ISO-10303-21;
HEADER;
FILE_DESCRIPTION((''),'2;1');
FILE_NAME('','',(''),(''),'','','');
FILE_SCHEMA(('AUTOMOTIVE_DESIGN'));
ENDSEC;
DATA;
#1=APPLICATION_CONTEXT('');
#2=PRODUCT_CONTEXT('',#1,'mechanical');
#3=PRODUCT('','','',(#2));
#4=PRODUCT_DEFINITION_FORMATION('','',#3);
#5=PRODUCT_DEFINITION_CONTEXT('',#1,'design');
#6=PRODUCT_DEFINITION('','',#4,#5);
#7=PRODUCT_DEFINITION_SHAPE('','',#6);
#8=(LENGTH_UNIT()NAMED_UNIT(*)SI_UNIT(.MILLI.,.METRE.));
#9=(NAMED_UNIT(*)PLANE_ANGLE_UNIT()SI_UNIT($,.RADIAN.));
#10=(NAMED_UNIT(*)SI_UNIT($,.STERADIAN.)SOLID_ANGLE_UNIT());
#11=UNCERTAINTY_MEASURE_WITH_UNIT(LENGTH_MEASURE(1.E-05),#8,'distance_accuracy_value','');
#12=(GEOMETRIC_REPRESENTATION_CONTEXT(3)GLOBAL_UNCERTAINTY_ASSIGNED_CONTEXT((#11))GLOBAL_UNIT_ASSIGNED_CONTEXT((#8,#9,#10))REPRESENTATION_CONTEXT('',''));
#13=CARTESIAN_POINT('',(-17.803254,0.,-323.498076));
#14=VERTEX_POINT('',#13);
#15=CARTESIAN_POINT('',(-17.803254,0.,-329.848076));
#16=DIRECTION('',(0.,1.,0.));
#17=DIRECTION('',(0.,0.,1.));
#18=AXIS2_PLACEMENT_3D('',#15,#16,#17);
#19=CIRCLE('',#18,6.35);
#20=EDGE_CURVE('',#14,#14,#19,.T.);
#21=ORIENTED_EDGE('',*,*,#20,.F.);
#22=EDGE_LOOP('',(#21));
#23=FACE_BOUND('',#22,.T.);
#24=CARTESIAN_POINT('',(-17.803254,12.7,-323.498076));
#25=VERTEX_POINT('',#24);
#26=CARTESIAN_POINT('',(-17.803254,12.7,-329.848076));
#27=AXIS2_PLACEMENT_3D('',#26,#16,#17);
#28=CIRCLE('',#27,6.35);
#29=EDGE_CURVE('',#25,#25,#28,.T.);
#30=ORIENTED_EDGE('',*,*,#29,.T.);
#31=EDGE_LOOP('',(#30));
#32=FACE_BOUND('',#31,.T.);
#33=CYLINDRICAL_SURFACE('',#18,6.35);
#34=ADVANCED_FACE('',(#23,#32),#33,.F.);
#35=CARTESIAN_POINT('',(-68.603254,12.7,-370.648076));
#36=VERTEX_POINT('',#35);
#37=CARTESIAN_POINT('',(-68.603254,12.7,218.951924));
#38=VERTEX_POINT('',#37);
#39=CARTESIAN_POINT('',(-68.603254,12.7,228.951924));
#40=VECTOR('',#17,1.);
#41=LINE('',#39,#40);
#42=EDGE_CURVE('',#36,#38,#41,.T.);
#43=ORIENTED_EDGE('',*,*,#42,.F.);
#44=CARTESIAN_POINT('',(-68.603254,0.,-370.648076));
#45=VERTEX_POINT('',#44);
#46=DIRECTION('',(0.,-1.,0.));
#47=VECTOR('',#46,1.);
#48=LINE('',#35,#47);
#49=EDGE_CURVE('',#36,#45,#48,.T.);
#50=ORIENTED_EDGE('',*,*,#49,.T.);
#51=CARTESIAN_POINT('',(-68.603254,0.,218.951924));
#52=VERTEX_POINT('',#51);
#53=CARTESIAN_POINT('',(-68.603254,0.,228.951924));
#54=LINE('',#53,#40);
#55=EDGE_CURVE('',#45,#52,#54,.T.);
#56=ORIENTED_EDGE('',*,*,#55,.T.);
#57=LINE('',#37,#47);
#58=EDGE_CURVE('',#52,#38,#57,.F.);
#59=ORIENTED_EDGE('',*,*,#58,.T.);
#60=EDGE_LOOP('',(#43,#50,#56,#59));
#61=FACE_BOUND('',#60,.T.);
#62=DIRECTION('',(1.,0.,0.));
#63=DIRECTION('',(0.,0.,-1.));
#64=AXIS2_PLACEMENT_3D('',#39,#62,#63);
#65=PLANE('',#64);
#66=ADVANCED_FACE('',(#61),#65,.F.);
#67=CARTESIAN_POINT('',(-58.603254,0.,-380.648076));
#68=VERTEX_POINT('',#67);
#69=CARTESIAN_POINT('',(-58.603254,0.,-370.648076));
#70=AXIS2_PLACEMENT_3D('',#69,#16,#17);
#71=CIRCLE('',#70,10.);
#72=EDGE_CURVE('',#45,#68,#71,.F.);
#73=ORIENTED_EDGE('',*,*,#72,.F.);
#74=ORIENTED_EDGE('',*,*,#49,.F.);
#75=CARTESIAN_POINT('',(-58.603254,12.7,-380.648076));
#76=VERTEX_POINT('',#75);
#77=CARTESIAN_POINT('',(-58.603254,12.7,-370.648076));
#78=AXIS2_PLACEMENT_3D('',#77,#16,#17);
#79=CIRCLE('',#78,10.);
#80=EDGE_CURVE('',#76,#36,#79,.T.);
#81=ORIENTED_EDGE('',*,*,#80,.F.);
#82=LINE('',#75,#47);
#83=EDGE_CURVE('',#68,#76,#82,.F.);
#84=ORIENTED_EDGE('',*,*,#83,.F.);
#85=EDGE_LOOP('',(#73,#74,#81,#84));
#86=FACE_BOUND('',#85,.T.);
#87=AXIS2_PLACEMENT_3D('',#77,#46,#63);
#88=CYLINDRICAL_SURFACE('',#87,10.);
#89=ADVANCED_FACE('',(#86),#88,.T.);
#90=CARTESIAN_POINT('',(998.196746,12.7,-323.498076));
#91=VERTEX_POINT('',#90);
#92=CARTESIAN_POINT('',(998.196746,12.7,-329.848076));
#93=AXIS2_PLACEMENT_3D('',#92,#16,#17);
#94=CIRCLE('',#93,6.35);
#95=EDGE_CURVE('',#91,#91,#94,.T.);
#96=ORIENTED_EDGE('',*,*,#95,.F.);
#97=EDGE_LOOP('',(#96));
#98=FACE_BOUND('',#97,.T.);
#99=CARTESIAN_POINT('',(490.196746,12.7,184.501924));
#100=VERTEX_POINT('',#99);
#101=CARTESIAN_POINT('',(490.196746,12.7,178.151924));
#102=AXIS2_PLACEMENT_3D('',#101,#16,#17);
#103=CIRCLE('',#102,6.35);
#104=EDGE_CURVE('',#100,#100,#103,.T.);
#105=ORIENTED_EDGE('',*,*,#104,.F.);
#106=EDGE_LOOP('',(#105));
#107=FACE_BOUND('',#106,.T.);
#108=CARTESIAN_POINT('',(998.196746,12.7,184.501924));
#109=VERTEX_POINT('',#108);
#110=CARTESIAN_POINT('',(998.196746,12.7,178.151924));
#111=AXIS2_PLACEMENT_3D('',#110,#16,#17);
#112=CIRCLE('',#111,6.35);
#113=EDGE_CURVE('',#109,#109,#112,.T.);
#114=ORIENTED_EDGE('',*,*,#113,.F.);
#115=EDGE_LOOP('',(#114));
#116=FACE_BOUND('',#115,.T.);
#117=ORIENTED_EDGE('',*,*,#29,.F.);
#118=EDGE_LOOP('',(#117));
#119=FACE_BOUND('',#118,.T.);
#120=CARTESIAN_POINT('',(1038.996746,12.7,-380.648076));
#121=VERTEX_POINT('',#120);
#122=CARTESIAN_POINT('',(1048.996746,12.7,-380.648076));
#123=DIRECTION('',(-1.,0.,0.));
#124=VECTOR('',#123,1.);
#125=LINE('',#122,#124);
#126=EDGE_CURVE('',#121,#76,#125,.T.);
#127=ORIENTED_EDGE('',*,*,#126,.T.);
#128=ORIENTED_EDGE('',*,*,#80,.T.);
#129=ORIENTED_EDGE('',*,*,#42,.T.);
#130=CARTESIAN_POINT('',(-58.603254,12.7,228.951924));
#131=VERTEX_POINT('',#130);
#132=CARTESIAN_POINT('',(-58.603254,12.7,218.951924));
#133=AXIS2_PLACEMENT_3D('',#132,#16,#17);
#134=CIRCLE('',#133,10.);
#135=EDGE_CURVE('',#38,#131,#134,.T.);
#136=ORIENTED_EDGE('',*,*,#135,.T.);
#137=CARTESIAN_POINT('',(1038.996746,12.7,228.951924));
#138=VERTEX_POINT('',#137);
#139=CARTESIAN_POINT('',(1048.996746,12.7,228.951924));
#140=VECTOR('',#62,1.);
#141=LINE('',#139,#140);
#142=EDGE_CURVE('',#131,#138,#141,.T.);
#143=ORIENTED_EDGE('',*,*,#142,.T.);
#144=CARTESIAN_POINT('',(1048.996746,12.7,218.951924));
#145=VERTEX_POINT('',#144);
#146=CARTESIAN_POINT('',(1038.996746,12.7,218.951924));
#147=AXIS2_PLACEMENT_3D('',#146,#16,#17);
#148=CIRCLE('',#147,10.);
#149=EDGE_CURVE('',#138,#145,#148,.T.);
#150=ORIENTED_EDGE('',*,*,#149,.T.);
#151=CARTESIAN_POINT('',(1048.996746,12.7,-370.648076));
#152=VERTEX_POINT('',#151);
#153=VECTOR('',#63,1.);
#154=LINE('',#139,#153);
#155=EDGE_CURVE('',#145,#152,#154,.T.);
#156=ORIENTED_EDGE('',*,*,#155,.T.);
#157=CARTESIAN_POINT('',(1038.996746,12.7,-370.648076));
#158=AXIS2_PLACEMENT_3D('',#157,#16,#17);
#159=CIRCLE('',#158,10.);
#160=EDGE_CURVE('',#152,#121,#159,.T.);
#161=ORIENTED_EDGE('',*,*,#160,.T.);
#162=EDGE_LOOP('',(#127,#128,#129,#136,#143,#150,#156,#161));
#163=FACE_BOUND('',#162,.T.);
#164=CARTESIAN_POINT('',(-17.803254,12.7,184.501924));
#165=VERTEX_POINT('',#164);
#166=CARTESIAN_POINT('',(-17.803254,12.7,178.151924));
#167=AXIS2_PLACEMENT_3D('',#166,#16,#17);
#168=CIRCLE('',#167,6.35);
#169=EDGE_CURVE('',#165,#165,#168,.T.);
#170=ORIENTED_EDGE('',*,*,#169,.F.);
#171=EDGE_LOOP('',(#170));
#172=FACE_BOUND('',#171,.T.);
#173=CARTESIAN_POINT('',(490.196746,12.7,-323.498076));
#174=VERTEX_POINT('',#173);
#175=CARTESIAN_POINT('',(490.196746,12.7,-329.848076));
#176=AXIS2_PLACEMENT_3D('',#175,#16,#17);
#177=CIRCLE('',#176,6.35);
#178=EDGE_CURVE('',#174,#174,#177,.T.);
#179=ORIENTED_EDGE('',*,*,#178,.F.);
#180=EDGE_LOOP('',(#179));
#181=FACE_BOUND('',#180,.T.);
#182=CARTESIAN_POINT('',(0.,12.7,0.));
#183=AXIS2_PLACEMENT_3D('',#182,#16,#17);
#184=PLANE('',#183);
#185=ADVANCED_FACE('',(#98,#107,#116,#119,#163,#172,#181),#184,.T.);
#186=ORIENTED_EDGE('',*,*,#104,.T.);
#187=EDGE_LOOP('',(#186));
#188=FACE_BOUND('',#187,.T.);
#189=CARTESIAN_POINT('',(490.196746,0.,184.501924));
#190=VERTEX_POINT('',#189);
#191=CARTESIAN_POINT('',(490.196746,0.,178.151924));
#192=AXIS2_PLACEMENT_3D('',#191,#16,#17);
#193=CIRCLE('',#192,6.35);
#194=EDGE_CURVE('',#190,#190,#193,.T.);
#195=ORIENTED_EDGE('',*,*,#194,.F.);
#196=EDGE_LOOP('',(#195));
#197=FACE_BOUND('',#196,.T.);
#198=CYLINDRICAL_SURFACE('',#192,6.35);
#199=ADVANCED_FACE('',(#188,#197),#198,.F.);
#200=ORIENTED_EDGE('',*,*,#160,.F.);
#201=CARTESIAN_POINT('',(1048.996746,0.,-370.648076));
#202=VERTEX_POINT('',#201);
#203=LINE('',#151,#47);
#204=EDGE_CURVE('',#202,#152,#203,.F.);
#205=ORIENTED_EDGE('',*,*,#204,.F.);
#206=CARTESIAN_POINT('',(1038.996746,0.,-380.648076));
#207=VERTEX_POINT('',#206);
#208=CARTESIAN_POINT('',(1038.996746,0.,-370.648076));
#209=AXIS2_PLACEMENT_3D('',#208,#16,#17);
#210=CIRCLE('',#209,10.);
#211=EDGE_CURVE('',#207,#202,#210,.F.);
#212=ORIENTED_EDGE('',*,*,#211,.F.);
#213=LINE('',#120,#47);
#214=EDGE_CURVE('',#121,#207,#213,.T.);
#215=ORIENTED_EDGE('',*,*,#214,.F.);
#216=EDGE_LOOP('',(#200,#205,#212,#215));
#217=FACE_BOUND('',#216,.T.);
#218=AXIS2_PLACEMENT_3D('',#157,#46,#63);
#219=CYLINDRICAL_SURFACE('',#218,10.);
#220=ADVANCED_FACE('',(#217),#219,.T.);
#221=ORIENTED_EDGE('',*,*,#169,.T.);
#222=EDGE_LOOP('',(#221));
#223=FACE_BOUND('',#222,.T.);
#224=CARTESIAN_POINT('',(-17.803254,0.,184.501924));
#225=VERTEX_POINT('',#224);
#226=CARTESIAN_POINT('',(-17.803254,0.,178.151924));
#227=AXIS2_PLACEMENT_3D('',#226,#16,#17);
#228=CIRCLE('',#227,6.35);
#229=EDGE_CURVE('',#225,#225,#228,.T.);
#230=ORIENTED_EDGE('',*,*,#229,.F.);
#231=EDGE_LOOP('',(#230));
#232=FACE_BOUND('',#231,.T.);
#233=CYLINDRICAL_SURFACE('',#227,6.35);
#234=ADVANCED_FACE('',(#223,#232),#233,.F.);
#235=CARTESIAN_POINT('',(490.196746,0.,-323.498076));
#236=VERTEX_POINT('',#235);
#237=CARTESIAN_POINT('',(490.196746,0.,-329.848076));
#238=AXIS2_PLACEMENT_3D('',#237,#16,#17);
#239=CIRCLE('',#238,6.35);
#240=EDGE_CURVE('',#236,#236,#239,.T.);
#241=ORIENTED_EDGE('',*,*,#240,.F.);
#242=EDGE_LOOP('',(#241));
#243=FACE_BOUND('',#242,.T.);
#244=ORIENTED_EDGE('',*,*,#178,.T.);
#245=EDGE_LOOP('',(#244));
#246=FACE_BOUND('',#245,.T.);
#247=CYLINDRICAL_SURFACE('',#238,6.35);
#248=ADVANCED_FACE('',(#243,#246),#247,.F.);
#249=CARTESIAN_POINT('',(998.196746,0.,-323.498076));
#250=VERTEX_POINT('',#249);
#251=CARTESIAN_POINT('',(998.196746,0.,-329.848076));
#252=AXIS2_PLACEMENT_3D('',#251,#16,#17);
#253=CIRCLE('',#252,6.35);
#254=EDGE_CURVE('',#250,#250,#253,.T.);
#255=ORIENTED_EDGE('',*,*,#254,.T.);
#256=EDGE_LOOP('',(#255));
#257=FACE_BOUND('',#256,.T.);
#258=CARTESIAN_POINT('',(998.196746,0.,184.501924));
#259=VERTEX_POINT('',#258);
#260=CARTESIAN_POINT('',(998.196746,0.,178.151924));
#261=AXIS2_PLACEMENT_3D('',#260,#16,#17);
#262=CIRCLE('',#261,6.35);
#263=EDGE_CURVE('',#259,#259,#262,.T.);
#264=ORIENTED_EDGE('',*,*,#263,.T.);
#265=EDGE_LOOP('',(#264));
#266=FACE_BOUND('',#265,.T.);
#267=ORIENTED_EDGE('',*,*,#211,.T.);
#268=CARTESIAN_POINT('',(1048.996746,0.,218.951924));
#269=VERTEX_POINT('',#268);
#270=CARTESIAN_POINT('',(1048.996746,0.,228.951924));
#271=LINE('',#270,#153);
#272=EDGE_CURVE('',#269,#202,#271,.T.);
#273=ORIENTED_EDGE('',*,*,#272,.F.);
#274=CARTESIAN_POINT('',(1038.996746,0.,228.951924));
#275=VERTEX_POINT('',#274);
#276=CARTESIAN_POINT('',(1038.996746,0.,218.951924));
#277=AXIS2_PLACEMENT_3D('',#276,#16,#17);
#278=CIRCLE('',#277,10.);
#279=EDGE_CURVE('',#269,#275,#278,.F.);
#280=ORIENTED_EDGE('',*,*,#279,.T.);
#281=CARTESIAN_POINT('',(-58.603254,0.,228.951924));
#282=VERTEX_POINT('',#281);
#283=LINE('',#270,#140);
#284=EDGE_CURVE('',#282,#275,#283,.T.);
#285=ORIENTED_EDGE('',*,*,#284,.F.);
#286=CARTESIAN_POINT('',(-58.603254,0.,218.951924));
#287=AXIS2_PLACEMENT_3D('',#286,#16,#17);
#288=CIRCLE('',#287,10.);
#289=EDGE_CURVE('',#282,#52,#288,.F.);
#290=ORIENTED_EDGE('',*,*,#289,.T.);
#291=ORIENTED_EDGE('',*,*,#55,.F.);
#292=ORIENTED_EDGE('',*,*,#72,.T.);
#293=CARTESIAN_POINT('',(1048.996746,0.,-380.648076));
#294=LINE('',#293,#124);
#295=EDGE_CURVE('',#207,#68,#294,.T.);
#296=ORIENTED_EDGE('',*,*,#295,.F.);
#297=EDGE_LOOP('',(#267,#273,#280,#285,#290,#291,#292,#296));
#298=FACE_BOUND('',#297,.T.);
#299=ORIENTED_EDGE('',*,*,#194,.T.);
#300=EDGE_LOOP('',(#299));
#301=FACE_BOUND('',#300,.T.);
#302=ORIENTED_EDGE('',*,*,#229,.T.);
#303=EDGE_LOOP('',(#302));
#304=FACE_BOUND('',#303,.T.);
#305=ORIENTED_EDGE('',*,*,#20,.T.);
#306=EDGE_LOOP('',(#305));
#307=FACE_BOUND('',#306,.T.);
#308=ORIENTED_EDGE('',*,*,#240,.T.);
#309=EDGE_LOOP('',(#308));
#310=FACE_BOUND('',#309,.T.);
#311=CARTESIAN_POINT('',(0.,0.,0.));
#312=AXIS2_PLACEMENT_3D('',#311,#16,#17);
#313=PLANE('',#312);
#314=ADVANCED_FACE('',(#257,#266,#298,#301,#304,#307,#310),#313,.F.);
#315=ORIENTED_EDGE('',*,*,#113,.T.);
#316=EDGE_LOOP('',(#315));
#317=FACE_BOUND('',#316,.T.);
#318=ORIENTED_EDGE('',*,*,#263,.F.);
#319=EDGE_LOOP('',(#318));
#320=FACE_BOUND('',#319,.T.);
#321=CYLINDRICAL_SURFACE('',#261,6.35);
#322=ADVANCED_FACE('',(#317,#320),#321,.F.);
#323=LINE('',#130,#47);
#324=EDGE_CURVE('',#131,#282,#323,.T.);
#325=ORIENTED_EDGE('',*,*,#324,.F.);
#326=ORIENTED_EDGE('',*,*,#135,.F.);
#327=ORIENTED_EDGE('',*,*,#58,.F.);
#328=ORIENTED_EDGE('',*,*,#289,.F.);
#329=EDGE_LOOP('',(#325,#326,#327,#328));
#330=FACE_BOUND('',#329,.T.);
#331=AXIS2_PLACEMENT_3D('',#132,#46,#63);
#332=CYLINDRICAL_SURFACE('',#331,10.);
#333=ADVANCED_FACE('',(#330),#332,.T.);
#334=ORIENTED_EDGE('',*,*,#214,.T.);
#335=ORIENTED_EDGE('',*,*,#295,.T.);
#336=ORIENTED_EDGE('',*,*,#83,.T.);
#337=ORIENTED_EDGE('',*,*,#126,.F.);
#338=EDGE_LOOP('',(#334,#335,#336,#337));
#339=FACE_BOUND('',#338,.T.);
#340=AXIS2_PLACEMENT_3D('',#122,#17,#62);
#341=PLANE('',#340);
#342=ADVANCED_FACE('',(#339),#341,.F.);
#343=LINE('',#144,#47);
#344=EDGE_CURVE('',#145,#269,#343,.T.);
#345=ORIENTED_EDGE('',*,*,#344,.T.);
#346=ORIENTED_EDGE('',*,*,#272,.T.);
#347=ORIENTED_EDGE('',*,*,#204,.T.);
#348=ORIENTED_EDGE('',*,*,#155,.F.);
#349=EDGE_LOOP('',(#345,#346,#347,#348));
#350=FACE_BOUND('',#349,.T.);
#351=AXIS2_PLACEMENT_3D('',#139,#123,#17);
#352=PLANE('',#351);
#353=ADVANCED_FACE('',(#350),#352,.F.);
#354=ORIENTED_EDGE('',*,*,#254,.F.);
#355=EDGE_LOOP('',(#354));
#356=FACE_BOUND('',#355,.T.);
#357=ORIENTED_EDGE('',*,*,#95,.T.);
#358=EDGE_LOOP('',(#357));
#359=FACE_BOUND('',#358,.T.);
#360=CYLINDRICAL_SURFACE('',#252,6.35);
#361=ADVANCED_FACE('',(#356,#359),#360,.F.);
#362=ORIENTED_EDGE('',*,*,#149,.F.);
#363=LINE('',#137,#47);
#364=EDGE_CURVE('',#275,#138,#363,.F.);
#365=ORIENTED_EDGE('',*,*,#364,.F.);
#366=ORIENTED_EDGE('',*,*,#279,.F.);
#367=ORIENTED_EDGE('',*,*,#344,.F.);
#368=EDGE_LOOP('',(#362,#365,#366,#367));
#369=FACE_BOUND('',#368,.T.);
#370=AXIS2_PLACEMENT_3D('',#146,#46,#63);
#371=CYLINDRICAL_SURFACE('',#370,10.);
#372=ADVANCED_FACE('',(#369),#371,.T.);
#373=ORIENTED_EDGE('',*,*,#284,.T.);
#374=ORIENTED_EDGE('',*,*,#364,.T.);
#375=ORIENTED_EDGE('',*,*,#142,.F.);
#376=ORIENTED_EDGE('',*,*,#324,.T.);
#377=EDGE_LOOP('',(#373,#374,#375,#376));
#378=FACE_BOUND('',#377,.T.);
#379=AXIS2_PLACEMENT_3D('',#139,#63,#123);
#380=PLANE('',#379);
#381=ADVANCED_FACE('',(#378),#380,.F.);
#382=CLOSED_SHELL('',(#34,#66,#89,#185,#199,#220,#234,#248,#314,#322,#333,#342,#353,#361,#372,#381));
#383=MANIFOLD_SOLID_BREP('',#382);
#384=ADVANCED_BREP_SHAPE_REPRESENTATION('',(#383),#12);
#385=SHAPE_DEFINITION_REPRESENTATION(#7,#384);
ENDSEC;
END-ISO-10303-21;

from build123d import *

# Parameters (mm, degrees)
SKETCH1_W           = 1117.6
SKETCH1_H           = 609.6
BOSS_EXTRUDE1_DEPTH = 12.7
SKETCH2_R           = 6.35
CUT_EXTRUDE1_DEPTH  = 1116.996604756
SKETCH3_R           = 6.35
CUT_EXTRUDE2_DEPTH  = 1116.996604756
FILLET1_R           = 10


with BuildPart() as part:
    # Sketch1 → Boss-Extrude1 (new body)
    with BuildSketch(Plane(origin=(0, 0, 0), x_dir=(1, 0, 0), z_dir=(0, 1, 0))):
        with Locations((490.196746459, 75.848075978)):
            Rectangle(SKETCH1_W, SKETCH1_H)
    extrude(amount=BOSS_EXTRUDE1_DEPTH)

    # Sketch2 → Cut-Extrude1 (cut, through all)
    with BuildSketch(Plane(origin=(0, 12.7, 0), x_dir=(1, 0, 0), z_dir=(0, 1, 0))):
        with Locations(Location((998.196746459, -178.151924022, 0), (0, 0, 270))):
            Circle(SKETCH2_R)
        with Locations(Location((-17.803253541, -178.151924022, 0), (0, 0, 270))):
            Circle(SKETCH2_R)
        with Locations(Location((-17.803253541, 329.848075978, 0), (0, 0, 270))):
            Circle(SKETCH2_R)
        with Locations(Location((998.196746459, 329.848075978, 0), (0, 0, 270))):
            Circle(SKETCH2_R)
    extrude(amount=-CUT_EXTRUDE1_DEPTH, mode=Mode.SUBTRACT)

    # Sketch3 → Cut-Extrude2 (cut, through all)
    with BuildSketch(Plane(origin=(0, 12.7, 0), x_dir=(1, 0, 0), z_dir=(0, 1, 0))):
        with Locations(Location((490.196746459, -178.151924022, 0), (0, 0, 270))):
            Circle(SKETCH3_R)
        with Locations(Location((490.196746459, 329.848075978, 0), (0, 0, 270))):
            Circle(SKETCH3_R)
    extrude(amount=-CUT_EXTRUDE2_DEPTH, mode=Mode.SUBTRACT)

    # Fillet1
    fillet1_edges = [part.edges().sort_by_distance(p)[0] for p in [
        (1048.996746459, 6.35, 228.951924022),
        (-68.603253541, 6.35, 228.951924022),
        (-68.603253541, 6.35, -380.648075978),
        (1048.996746459, 6.35, -380.648075978),
    ]]
    fillet(fillet1_edges, radius=FILLET1_R)


solid = part.part
